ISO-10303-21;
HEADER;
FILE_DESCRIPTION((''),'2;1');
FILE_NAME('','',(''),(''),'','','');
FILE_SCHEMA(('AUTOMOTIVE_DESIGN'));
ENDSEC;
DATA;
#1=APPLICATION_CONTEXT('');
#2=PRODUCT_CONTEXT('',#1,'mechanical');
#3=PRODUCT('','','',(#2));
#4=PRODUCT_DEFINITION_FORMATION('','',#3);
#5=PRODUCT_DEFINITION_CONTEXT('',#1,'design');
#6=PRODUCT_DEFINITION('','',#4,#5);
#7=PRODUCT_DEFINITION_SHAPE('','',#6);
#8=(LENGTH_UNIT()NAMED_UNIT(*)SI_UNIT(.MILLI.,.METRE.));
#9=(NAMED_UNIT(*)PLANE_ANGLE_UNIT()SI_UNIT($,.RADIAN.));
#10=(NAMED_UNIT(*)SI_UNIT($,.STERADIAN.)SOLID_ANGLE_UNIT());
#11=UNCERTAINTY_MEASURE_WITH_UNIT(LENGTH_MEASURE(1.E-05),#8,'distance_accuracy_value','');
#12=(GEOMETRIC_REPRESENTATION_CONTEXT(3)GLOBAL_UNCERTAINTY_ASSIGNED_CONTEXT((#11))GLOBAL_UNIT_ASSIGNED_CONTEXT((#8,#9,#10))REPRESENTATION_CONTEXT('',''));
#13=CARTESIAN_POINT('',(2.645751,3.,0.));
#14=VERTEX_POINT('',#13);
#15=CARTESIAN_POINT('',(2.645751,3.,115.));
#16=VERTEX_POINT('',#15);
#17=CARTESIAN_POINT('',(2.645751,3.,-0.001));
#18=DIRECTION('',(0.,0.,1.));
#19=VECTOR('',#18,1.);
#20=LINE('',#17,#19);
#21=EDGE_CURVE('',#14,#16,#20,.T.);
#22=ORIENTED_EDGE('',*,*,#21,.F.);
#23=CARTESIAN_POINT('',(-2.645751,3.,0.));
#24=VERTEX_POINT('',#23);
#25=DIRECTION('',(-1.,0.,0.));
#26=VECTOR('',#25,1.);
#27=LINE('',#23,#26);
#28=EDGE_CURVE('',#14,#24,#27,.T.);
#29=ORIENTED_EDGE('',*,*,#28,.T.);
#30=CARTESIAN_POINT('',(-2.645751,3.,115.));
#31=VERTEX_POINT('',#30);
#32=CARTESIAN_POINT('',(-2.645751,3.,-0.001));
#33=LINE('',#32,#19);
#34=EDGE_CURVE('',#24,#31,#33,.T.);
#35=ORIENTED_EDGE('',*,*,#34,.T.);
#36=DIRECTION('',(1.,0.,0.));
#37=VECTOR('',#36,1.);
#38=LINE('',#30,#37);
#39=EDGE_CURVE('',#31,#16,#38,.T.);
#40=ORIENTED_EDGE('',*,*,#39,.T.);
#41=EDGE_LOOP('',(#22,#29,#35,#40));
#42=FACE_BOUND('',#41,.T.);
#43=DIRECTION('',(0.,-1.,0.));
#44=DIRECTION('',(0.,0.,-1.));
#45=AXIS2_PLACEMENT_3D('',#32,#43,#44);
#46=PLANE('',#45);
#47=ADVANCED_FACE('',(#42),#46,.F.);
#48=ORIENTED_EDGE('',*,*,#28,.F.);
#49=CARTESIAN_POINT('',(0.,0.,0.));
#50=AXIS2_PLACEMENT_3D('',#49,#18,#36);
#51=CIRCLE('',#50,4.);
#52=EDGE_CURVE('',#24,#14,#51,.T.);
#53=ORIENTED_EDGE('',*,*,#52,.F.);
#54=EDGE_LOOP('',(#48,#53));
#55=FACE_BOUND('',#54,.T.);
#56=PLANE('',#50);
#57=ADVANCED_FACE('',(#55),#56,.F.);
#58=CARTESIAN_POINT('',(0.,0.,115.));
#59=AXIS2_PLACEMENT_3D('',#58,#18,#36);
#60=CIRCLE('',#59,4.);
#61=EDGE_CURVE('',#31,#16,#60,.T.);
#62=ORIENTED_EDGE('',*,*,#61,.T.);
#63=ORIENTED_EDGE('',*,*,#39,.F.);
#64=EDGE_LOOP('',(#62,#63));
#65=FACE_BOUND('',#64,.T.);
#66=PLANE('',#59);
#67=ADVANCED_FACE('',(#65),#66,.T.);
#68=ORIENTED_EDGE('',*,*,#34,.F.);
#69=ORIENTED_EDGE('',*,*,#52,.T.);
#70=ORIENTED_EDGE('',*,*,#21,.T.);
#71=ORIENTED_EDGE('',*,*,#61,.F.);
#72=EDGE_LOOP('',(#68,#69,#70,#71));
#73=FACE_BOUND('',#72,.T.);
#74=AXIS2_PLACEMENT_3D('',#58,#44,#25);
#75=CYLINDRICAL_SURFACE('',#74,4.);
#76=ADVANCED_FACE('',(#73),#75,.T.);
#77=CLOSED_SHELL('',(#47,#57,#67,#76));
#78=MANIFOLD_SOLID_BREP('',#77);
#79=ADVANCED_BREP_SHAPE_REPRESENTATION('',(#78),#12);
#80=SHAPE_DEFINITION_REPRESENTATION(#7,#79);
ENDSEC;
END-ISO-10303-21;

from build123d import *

# Parameters (mm, degrees)
SKETCH1_R           = 4
BOSS_EXTRUDE1_DEPTH = 115
CUT_EXTRUDE1_REACH  = 117


with BuildPart() as part:
    # Sketch1 → Boss-Extrude1 (new body)
    with BuildSketch(Plane.XY):
        Circle(SKETCH1_R)
    extrude(amount=BOSS_EXTRUDE1_DEPTH)

    # Sketch2 → Cut-Extrude1 (cut, up to next)
    with BuildSketch(Plane.XY.offset(115), mode=Mode.PRIVATE) as cut_extrude1_sk1:
        with BuildLine():
            Line((-2.645751311, 3), (2.645751311, 3))
            ThreePointArc((2.645751311, 3), (0, 4), (-2.645751311, 3))
        make_face()
    cut_extrude1_tool1 = extrude(cut_extrude1_sk1.sketch, amount=-CUT_EXTRUDE1_REACH, mode=Mode.PRIVATE) & part.part
    add(cut_extrude1_tool1.solids().sort_by_distance((0, 3.404621, 115))[0], mode=Mode.SUBTRACT)


solid = part.part
